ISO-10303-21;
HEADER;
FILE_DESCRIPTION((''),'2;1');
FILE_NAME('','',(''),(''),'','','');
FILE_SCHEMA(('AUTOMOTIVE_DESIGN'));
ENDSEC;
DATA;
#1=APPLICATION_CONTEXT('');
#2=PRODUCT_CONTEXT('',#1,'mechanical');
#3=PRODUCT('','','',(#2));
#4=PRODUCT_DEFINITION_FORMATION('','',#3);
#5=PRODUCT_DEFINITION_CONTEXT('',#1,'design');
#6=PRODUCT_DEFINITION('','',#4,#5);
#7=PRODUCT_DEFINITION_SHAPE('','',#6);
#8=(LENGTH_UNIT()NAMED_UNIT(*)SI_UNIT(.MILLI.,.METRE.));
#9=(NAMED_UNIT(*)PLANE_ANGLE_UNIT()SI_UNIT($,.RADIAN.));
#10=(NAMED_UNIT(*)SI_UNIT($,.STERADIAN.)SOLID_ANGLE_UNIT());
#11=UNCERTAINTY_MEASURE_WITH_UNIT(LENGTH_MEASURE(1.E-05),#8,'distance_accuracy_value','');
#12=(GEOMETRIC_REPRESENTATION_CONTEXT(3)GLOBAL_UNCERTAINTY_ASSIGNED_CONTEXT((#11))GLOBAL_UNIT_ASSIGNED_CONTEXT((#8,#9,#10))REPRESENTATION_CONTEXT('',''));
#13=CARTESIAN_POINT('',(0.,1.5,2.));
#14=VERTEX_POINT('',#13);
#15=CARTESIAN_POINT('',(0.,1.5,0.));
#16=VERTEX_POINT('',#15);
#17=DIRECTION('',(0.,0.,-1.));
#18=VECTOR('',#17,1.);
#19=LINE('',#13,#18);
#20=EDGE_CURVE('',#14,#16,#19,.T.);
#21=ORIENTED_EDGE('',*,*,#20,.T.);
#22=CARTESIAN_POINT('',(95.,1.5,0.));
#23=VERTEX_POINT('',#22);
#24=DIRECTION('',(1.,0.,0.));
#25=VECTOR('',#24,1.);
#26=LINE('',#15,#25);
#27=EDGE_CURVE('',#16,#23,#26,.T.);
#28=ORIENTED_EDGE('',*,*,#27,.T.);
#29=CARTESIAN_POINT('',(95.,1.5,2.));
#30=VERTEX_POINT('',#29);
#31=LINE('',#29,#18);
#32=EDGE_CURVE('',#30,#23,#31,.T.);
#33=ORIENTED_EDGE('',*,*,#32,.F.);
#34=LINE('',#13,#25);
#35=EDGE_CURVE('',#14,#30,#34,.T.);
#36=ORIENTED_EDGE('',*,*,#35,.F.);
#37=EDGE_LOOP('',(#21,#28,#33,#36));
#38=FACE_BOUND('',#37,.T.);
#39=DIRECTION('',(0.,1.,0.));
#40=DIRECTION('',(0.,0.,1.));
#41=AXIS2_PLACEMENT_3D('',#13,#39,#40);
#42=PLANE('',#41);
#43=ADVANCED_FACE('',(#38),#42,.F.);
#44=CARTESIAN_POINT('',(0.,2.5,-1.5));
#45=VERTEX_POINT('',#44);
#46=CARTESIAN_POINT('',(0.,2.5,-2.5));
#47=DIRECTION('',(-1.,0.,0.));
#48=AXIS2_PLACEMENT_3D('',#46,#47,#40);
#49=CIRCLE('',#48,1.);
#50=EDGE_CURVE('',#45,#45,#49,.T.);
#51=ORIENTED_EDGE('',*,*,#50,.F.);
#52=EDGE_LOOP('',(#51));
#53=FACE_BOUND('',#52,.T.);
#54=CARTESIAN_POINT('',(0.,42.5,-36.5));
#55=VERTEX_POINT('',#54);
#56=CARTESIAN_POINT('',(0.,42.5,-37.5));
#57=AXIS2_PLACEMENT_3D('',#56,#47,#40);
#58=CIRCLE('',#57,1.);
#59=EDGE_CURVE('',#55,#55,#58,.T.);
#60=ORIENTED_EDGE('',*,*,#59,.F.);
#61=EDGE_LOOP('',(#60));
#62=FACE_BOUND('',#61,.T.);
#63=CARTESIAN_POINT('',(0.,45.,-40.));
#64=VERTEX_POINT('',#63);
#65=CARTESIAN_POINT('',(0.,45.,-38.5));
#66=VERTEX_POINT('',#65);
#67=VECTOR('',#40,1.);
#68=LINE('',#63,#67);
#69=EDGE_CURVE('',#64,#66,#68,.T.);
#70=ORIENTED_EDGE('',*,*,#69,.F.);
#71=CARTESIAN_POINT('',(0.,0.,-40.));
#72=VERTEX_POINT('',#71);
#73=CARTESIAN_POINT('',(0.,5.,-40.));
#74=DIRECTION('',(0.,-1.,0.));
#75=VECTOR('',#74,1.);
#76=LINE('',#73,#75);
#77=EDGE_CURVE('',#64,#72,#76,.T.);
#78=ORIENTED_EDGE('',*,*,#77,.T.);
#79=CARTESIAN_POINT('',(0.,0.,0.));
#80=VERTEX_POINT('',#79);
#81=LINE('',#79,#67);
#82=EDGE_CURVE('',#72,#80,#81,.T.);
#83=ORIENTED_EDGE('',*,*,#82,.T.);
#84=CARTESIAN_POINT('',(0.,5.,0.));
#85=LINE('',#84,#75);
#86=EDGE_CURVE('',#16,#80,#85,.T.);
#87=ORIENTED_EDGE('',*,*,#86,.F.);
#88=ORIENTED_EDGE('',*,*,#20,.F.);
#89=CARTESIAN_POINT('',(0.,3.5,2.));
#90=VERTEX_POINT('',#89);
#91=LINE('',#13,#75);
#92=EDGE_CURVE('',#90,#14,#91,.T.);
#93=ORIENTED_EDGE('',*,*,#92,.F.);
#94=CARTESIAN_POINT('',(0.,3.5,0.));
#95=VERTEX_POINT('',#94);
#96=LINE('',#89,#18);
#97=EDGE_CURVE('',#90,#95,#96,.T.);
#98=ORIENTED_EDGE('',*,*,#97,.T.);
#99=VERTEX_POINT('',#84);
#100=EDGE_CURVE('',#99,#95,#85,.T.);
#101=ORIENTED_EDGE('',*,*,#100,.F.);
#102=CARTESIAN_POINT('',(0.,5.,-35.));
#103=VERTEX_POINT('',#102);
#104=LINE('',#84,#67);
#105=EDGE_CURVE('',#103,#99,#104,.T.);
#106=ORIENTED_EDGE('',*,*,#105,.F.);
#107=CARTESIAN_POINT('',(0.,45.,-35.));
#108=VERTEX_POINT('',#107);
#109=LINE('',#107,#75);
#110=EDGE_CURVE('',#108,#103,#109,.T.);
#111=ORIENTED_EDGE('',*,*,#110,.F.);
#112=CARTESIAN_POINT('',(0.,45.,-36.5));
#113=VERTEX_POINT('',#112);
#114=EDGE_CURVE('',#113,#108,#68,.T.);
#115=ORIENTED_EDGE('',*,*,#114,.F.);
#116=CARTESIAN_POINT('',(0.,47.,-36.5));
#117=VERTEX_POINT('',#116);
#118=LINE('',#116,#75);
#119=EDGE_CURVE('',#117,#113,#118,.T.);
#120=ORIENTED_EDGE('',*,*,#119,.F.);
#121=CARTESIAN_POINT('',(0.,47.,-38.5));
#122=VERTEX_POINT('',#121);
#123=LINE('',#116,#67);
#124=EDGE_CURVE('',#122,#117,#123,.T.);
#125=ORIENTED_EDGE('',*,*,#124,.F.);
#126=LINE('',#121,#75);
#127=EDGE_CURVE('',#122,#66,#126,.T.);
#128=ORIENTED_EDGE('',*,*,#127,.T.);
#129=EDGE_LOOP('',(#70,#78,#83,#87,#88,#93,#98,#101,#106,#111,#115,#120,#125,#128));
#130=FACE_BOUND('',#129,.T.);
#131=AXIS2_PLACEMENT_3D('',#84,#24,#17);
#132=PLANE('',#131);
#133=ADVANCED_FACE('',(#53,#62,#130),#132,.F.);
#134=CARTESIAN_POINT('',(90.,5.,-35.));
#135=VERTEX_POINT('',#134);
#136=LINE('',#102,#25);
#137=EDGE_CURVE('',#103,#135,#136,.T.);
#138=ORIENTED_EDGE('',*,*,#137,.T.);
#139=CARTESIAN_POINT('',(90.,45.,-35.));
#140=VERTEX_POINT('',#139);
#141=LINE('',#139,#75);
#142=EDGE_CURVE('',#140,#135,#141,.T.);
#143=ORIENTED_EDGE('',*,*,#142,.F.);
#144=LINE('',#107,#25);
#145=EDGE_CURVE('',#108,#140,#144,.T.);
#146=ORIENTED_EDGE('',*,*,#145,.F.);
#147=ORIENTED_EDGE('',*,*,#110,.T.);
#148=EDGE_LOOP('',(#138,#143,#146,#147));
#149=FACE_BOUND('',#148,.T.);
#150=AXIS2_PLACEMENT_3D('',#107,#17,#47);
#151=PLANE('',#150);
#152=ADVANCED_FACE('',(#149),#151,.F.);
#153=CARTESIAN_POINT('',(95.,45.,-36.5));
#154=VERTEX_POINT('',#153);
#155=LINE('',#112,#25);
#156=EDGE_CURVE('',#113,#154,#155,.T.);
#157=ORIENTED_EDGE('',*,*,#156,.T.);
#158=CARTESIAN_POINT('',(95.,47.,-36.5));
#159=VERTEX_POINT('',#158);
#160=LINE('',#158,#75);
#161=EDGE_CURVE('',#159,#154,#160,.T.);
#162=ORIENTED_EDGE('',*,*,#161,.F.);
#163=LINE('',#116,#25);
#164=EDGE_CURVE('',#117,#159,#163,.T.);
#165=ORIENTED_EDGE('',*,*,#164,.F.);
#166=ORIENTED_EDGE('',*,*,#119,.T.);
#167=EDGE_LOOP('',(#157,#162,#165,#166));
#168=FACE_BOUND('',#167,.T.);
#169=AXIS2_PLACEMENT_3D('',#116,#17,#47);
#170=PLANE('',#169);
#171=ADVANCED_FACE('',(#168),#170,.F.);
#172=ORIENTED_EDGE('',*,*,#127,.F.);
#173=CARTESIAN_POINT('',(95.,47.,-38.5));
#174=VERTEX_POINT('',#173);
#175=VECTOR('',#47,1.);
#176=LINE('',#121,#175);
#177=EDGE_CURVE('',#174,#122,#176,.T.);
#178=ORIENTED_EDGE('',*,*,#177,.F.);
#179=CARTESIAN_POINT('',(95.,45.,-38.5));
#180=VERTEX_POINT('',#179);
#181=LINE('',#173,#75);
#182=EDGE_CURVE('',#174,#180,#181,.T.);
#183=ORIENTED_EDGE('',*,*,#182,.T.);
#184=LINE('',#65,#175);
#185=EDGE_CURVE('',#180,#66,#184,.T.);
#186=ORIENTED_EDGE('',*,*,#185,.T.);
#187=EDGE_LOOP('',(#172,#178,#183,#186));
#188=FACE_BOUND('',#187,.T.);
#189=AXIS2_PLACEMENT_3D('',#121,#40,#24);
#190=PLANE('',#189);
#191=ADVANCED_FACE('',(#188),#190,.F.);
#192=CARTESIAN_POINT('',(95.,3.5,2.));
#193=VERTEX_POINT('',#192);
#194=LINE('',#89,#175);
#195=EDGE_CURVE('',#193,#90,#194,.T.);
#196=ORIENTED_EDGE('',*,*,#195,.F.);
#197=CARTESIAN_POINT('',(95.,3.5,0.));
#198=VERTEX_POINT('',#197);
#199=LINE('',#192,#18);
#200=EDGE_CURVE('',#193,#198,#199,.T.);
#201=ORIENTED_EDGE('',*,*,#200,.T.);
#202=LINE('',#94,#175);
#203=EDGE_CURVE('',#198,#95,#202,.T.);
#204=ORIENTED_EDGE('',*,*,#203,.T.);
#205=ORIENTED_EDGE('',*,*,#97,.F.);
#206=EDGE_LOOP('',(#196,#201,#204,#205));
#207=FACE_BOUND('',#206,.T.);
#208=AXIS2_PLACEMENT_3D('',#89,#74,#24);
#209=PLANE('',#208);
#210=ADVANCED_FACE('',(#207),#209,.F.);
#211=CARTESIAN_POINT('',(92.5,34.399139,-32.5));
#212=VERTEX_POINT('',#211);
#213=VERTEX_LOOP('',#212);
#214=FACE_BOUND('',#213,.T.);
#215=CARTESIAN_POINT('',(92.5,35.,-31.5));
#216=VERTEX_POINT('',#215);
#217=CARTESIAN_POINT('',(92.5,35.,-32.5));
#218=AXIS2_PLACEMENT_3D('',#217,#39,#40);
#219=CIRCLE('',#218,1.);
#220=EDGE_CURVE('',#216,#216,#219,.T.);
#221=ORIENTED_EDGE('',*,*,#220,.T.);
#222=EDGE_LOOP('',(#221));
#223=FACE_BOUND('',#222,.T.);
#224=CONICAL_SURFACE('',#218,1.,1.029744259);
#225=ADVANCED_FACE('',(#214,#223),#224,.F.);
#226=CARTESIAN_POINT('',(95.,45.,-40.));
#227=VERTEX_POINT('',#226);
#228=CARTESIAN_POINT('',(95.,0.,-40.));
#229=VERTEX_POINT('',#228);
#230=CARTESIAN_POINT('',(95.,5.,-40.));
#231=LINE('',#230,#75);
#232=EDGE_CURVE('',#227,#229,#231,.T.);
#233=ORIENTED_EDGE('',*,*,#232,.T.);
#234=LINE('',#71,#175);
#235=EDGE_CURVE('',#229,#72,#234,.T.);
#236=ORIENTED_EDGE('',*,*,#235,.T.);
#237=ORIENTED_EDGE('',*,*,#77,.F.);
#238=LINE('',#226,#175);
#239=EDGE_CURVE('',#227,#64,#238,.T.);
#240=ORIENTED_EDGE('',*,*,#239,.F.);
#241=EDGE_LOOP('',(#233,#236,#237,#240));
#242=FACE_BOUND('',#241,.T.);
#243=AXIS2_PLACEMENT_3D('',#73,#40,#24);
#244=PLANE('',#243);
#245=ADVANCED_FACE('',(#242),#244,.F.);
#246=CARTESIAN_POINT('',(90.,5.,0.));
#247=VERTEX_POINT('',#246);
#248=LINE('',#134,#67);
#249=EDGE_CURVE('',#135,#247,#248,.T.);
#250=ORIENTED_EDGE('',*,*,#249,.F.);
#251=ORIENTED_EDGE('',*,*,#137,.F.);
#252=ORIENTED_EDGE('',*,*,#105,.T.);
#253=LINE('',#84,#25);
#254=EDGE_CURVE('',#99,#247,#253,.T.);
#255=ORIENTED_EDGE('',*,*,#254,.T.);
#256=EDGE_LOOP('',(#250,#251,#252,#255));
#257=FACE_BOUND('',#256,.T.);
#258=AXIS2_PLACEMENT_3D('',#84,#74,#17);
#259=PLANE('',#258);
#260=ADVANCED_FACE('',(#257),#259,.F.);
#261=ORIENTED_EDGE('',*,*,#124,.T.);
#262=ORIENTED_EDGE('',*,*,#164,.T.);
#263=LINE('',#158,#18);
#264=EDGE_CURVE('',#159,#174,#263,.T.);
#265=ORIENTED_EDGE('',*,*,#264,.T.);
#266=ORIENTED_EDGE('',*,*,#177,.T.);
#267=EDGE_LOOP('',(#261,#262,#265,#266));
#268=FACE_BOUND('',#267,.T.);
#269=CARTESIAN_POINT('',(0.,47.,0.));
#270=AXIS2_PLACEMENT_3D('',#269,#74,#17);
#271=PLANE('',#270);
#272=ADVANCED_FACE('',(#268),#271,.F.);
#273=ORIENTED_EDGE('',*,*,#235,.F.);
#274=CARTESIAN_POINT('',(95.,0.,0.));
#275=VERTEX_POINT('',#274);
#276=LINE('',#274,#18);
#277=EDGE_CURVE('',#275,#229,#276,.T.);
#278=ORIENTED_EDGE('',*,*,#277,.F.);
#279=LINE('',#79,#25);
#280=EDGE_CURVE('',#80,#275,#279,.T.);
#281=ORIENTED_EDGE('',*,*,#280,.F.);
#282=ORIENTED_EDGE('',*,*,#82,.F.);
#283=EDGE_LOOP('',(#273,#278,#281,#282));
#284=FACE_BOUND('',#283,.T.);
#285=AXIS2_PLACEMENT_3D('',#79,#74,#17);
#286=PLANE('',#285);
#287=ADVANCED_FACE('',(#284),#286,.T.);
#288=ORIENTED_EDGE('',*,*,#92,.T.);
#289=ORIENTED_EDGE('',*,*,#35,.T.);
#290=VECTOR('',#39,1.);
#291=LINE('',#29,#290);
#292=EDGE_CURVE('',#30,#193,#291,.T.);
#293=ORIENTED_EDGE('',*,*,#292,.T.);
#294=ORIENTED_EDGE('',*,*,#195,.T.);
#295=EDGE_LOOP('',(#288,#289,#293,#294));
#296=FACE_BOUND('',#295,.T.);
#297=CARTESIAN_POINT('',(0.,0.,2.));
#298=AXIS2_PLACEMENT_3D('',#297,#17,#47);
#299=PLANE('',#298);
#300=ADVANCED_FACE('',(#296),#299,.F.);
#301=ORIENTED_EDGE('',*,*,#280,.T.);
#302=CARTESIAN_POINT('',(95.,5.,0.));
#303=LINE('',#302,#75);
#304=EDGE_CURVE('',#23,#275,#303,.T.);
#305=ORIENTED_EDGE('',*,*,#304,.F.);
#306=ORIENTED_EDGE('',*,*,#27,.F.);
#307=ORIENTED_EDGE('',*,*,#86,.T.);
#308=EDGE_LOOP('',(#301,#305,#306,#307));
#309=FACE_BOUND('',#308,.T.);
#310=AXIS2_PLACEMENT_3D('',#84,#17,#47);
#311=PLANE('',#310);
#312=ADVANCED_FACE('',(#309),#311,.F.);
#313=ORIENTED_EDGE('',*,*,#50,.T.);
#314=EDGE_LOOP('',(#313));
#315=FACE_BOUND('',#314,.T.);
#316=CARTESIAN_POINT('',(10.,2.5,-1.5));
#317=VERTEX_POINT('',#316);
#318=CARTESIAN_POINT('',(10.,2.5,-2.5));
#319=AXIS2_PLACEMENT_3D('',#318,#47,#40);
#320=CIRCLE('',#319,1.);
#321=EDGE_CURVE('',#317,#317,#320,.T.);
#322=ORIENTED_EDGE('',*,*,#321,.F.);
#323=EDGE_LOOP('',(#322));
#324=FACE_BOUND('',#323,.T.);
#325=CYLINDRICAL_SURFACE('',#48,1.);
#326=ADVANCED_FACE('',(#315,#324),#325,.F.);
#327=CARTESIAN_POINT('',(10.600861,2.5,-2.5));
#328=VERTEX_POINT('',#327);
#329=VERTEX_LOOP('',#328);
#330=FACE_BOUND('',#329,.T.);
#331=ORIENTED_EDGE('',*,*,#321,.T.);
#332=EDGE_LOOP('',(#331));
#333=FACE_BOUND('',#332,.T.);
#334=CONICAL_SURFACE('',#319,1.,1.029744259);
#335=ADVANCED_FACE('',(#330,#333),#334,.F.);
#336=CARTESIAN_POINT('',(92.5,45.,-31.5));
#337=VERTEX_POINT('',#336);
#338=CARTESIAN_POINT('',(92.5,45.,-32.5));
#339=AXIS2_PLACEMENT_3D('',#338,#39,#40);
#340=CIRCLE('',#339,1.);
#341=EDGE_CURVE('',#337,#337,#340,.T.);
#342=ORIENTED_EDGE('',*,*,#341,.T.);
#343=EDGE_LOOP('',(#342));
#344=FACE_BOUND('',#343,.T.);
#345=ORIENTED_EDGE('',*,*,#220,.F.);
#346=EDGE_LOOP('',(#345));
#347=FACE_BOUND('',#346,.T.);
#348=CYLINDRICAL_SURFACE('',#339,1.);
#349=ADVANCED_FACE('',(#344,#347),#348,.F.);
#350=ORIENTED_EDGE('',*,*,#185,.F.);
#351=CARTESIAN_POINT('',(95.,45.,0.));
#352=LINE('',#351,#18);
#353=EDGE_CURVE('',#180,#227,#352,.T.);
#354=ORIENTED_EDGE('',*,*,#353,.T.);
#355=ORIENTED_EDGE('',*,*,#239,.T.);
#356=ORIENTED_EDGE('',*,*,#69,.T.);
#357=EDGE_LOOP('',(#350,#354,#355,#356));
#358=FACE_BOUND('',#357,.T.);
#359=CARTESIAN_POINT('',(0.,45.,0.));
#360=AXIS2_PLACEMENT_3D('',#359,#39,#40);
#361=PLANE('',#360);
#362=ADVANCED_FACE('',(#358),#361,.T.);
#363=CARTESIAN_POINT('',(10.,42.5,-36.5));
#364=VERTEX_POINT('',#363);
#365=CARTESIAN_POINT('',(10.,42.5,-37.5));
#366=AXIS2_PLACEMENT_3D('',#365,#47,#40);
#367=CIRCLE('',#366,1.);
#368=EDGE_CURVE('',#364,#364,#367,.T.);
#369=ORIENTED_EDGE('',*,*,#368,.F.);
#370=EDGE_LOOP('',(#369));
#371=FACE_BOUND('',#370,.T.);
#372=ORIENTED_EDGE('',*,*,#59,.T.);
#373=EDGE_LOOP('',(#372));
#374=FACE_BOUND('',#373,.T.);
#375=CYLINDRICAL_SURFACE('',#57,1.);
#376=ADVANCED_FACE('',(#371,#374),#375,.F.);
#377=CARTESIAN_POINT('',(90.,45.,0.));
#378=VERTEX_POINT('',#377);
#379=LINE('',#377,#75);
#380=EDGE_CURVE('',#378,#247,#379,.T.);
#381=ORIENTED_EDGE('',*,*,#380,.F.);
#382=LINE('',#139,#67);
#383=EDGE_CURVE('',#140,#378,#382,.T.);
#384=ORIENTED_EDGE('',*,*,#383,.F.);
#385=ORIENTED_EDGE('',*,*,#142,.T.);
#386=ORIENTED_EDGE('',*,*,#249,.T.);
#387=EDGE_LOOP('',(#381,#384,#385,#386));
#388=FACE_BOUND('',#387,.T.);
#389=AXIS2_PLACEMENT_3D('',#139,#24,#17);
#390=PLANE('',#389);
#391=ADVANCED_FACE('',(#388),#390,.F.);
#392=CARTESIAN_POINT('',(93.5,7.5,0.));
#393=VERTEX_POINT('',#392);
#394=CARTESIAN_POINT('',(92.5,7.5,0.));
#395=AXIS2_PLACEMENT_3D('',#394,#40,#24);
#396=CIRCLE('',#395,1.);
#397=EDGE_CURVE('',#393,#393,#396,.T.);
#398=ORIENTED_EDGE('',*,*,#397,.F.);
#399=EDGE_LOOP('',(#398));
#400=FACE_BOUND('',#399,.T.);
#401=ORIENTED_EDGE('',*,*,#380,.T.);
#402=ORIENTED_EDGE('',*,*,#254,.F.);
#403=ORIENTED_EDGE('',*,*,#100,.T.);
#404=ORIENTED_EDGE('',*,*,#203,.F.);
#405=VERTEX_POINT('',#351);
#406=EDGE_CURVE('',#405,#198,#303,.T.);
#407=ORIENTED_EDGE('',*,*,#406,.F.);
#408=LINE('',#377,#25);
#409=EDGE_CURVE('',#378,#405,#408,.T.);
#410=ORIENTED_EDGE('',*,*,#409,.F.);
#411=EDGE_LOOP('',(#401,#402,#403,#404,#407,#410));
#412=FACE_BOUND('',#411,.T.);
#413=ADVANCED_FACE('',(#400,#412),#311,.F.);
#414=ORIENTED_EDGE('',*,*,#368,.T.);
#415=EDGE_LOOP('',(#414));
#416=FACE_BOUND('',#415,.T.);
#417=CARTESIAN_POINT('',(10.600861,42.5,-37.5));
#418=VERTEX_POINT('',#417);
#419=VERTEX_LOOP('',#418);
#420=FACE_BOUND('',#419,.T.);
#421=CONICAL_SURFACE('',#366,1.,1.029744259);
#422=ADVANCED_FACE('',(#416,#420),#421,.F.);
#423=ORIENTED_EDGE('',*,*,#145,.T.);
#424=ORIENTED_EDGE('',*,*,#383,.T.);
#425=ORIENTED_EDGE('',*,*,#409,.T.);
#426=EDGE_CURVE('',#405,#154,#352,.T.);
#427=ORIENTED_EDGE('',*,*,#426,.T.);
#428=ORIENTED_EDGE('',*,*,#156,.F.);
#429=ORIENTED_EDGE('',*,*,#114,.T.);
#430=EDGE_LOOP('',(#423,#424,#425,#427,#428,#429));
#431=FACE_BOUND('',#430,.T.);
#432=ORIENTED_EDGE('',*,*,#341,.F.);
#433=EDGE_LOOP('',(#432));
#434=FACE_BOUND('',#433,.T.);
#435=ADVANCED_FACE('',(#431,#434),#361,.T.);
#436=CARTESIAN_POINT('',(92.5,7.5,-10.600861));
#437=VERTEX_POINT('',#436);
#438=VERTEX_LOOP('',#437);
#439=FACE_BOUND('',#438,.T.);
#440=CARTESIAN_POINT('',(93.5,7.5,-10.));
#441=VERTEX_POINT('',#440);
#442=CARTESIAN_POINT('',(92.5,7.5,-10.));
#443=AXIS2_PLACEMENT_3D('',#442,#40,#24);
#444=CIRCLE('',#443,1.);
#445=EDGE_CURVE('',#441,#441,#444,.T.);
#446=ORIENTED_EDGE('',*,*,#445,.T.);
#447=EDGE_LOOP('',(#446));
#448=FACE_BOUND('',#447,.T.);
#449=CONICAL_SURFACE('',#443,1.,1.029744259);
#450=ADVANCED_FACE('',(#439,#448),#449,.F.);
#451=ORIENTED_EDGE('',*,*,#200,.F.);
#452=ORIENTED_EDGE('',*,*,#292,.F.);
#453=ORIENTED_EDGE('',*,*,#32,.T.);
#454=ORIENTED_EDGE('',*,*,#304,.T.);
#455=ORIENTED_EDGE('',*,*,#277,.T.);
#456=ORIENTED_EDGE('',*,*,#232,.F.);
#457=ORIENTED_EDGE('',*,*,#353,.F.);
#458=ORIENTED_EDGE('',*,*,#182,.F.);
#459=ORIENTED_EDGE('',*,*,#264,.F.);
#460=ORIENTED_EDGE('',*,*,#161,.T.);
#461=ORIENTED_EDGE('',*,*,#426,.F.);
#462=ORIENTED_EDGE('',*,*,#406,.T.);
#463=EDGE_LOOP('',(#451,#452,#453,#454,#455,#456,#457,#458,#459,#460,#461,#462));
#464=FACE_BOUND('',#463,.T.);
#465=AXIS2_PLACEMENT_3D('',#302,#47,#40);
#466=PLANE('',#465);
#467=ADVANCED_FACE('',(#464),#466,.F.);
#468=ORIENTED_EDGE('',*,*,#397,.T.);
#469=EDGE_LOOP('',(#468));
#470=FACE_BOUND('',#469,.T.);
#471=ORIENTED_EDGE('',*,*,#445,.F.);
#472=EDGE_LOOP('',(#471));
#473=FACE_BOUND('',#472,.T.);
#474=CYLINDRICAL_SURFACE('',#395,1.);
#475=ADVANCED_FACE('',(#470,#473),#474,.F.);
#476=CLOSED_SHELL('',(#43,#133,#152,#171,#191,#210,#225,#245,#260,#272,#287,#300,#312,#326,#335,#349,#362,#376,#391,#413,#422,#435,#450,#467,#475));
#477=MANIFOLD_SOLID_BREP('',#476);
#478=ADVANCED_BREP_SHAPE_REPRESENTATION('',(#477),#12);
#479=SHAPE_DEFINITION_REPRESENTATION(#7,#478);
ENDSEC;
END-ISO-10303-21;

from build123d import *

# Parameters (mm, degrees)
CROQUIS1_W                                  = 95
CROQUIS1_H                                  = 40
SALIENTE_EXTRUIR1_DEPTH                     = 5
SALIENTE_EXTRUIR2_DEPTH                     = 40
CROQUIS3_W                                  = 95
CROQUIS3_H                                  = 2
SALIENTE_EXTRUIR3_DEPTH                     = 2
CROQUIS4_W                                  = 95
CROQUIS4_H                                  = 2
SALIENTE_EXTRUIR4_DEPTH                     = 2
DI_METRO_DE_TALADRO_2_0_2_1_D               = 2
DI_METRO_DE_TALADRO_2_0_2_1_DEPTH           = 10
DI_METRO_DE_TALADRO_2_0_2_1_TIP             = 0.600860619
DI_METRO_DE_TALADRO_2_0_2_2_D               = 2
DI_METRO_DE_TALADRO_2_0_2_2_DEPTH           = 10
DI_METRO_DE_TALADRO_2_0_2_2_TIP             = 0.600860619
DI_METRO_DE_TALADRO_2_0_2_2_ON_FACE_2_D     = 2
DI_METRO_DE_TALADRO_2_0_2_2_ON_FACE_2_DEPTH = 10
DI_METRO_DE_TALADRO_2_0_2_2_ON_FACE_2_TIP   = 0.600860619


with BuildPart() as part:
    # Croquis1 → Saliente-Extruir1 (new body)
    with BuildSketch(Plane(origin=(0, 0, 0), x_dir=(1, 0, 0), z_dir=(0, 1, 0))):
        with Locations((47.5, 20)):
            Rectangle(CROQUIS1_W, CROQUIS1_H)
    extrude(amount=SALIENTE_EXTRUIR1_DEPTH)

    # Croquis2 → Saliente-Extruir2 (add)
    with BuildSketch(Plane(origin=(0, 5, 0), x_dir=(1, 0, 0), z_dir=(0, 1, 0))):
        Polygon((0, 35), (90, 35), (90, 0), (95, 0), (95, 40), (0, 40), align=None)
    extrude(amount=SALIENTE_EXTRUIR2_DEPTH)

    # Croquis3 → Saliente-Extruir3 (add)
    with BuildSketch(Plane(origin=(0, 45, 0), x_dir=(1, 0, 0), z_dir=(0, 1, 0))):
        with Locations((47.5, 37.5)):
            Rectangle(CROQUIS3_W, CROQUIS3_H)
    extrude(amount=SALIENTE_EXTRUIR3_DEPTH)

    # Croquis4 → Saliente-Extruir4 (add)
    with BuildSketch(Plane.XY):
        with Locations((47.5, 2.5)):
            Rectangle(CROQUIS4_W, CROQUIS4_H)
    extrude(amount=SALIENTE_EXTRUIR4_DEPTH)

    # Diámetro de taladro Ø2.0 (2)1
    with Locations(Plane(origin=(0, 42.5, -37.5), x_dir=(0, 0, -1), z_dir=(-1, 0, 0))):
        with Locations((0, 0), (-35, 40)):
            Hole(DI_METRO_DE_TALADRO_2_0_2_1_D / 2, depth=DI_METRO_DE_TALADRO_2_0_2_1_DEPTH)
            with Locations((0, 0, -(DI_METRO_DE_TALADRO_2_0_2_1_DEPTH + DI_METRO_DE_TALADRO_2_0_2_1_TIP / 2))):  # 118° drill point
                Cone(0, DI_METRO_DE_TALADRO_2_0_2_1_D / 2, DI_METRO_DE_TALADRO_2_0_2_1_TIP, mode=Mode.SUBTRACT)

    # Diámetro de taladro Ø2.0 (2)2
    with Locations(Plane(origin=(92.5, 45, -32.5), x_dir=(0, 0, 1), z_dir=(0, 1, 0))):
        with Locations((0, 0)):
            Hole(DI_METRO_DE_TALADRO_2_0_2_2_D / 2, depth=DI_METRO_DE_TALADRO_2_0_2_2_DEPTH)
            with Locations((0, 0, -(DI_METRO_DE_TALADRO_2_0_2_2_DEPTH + DI_METRO_DE_TALADRO_2_0_2_2_TIP / 2))):  # 118° drill point
                Cone(0, DI_METRO_DE_TALADRO_2_0_2_2_D / 2, DI_METRO_DE_TALADRO_2_0_2_2_TIP, mode=Mode.SUBTRACT)

    # Diámetro de taladro Ø2.0 (2)2 on face 2
    with Locations(Plane(origin=(92.5, 7.5, 0), x_dir=(1, 0, 0), z_dir=(0, 0, 1))):
        with Locations((0, 0)):
            Hole(DI_METRO_DE_TALADRO_2_0_2_2_ON_FACE_2_D / 2, depth=DI_METRO_DE_TALADRO_2_0_2_2_ON_FACE_2_DEPTH)
            with Locations((0, 0, -(DI_METRO_DE_TALADRO_2_0_2_2_ON_FACE_2_DEPTH + DI_METRO_DE_TALADRO_2_0_2_2_ON_FACE_2_TIP / 2))):  # 118° drill point
                Cone(0, DI_METRO_DE_TALADRO_2_0_2_2_ON_FACE_2_D / 2, DI_METRO_DE_TALADRO_2_0_2_2_ON_FACE_2_TIP, mode=Mode.SUBTRACT)


solid = part.part
